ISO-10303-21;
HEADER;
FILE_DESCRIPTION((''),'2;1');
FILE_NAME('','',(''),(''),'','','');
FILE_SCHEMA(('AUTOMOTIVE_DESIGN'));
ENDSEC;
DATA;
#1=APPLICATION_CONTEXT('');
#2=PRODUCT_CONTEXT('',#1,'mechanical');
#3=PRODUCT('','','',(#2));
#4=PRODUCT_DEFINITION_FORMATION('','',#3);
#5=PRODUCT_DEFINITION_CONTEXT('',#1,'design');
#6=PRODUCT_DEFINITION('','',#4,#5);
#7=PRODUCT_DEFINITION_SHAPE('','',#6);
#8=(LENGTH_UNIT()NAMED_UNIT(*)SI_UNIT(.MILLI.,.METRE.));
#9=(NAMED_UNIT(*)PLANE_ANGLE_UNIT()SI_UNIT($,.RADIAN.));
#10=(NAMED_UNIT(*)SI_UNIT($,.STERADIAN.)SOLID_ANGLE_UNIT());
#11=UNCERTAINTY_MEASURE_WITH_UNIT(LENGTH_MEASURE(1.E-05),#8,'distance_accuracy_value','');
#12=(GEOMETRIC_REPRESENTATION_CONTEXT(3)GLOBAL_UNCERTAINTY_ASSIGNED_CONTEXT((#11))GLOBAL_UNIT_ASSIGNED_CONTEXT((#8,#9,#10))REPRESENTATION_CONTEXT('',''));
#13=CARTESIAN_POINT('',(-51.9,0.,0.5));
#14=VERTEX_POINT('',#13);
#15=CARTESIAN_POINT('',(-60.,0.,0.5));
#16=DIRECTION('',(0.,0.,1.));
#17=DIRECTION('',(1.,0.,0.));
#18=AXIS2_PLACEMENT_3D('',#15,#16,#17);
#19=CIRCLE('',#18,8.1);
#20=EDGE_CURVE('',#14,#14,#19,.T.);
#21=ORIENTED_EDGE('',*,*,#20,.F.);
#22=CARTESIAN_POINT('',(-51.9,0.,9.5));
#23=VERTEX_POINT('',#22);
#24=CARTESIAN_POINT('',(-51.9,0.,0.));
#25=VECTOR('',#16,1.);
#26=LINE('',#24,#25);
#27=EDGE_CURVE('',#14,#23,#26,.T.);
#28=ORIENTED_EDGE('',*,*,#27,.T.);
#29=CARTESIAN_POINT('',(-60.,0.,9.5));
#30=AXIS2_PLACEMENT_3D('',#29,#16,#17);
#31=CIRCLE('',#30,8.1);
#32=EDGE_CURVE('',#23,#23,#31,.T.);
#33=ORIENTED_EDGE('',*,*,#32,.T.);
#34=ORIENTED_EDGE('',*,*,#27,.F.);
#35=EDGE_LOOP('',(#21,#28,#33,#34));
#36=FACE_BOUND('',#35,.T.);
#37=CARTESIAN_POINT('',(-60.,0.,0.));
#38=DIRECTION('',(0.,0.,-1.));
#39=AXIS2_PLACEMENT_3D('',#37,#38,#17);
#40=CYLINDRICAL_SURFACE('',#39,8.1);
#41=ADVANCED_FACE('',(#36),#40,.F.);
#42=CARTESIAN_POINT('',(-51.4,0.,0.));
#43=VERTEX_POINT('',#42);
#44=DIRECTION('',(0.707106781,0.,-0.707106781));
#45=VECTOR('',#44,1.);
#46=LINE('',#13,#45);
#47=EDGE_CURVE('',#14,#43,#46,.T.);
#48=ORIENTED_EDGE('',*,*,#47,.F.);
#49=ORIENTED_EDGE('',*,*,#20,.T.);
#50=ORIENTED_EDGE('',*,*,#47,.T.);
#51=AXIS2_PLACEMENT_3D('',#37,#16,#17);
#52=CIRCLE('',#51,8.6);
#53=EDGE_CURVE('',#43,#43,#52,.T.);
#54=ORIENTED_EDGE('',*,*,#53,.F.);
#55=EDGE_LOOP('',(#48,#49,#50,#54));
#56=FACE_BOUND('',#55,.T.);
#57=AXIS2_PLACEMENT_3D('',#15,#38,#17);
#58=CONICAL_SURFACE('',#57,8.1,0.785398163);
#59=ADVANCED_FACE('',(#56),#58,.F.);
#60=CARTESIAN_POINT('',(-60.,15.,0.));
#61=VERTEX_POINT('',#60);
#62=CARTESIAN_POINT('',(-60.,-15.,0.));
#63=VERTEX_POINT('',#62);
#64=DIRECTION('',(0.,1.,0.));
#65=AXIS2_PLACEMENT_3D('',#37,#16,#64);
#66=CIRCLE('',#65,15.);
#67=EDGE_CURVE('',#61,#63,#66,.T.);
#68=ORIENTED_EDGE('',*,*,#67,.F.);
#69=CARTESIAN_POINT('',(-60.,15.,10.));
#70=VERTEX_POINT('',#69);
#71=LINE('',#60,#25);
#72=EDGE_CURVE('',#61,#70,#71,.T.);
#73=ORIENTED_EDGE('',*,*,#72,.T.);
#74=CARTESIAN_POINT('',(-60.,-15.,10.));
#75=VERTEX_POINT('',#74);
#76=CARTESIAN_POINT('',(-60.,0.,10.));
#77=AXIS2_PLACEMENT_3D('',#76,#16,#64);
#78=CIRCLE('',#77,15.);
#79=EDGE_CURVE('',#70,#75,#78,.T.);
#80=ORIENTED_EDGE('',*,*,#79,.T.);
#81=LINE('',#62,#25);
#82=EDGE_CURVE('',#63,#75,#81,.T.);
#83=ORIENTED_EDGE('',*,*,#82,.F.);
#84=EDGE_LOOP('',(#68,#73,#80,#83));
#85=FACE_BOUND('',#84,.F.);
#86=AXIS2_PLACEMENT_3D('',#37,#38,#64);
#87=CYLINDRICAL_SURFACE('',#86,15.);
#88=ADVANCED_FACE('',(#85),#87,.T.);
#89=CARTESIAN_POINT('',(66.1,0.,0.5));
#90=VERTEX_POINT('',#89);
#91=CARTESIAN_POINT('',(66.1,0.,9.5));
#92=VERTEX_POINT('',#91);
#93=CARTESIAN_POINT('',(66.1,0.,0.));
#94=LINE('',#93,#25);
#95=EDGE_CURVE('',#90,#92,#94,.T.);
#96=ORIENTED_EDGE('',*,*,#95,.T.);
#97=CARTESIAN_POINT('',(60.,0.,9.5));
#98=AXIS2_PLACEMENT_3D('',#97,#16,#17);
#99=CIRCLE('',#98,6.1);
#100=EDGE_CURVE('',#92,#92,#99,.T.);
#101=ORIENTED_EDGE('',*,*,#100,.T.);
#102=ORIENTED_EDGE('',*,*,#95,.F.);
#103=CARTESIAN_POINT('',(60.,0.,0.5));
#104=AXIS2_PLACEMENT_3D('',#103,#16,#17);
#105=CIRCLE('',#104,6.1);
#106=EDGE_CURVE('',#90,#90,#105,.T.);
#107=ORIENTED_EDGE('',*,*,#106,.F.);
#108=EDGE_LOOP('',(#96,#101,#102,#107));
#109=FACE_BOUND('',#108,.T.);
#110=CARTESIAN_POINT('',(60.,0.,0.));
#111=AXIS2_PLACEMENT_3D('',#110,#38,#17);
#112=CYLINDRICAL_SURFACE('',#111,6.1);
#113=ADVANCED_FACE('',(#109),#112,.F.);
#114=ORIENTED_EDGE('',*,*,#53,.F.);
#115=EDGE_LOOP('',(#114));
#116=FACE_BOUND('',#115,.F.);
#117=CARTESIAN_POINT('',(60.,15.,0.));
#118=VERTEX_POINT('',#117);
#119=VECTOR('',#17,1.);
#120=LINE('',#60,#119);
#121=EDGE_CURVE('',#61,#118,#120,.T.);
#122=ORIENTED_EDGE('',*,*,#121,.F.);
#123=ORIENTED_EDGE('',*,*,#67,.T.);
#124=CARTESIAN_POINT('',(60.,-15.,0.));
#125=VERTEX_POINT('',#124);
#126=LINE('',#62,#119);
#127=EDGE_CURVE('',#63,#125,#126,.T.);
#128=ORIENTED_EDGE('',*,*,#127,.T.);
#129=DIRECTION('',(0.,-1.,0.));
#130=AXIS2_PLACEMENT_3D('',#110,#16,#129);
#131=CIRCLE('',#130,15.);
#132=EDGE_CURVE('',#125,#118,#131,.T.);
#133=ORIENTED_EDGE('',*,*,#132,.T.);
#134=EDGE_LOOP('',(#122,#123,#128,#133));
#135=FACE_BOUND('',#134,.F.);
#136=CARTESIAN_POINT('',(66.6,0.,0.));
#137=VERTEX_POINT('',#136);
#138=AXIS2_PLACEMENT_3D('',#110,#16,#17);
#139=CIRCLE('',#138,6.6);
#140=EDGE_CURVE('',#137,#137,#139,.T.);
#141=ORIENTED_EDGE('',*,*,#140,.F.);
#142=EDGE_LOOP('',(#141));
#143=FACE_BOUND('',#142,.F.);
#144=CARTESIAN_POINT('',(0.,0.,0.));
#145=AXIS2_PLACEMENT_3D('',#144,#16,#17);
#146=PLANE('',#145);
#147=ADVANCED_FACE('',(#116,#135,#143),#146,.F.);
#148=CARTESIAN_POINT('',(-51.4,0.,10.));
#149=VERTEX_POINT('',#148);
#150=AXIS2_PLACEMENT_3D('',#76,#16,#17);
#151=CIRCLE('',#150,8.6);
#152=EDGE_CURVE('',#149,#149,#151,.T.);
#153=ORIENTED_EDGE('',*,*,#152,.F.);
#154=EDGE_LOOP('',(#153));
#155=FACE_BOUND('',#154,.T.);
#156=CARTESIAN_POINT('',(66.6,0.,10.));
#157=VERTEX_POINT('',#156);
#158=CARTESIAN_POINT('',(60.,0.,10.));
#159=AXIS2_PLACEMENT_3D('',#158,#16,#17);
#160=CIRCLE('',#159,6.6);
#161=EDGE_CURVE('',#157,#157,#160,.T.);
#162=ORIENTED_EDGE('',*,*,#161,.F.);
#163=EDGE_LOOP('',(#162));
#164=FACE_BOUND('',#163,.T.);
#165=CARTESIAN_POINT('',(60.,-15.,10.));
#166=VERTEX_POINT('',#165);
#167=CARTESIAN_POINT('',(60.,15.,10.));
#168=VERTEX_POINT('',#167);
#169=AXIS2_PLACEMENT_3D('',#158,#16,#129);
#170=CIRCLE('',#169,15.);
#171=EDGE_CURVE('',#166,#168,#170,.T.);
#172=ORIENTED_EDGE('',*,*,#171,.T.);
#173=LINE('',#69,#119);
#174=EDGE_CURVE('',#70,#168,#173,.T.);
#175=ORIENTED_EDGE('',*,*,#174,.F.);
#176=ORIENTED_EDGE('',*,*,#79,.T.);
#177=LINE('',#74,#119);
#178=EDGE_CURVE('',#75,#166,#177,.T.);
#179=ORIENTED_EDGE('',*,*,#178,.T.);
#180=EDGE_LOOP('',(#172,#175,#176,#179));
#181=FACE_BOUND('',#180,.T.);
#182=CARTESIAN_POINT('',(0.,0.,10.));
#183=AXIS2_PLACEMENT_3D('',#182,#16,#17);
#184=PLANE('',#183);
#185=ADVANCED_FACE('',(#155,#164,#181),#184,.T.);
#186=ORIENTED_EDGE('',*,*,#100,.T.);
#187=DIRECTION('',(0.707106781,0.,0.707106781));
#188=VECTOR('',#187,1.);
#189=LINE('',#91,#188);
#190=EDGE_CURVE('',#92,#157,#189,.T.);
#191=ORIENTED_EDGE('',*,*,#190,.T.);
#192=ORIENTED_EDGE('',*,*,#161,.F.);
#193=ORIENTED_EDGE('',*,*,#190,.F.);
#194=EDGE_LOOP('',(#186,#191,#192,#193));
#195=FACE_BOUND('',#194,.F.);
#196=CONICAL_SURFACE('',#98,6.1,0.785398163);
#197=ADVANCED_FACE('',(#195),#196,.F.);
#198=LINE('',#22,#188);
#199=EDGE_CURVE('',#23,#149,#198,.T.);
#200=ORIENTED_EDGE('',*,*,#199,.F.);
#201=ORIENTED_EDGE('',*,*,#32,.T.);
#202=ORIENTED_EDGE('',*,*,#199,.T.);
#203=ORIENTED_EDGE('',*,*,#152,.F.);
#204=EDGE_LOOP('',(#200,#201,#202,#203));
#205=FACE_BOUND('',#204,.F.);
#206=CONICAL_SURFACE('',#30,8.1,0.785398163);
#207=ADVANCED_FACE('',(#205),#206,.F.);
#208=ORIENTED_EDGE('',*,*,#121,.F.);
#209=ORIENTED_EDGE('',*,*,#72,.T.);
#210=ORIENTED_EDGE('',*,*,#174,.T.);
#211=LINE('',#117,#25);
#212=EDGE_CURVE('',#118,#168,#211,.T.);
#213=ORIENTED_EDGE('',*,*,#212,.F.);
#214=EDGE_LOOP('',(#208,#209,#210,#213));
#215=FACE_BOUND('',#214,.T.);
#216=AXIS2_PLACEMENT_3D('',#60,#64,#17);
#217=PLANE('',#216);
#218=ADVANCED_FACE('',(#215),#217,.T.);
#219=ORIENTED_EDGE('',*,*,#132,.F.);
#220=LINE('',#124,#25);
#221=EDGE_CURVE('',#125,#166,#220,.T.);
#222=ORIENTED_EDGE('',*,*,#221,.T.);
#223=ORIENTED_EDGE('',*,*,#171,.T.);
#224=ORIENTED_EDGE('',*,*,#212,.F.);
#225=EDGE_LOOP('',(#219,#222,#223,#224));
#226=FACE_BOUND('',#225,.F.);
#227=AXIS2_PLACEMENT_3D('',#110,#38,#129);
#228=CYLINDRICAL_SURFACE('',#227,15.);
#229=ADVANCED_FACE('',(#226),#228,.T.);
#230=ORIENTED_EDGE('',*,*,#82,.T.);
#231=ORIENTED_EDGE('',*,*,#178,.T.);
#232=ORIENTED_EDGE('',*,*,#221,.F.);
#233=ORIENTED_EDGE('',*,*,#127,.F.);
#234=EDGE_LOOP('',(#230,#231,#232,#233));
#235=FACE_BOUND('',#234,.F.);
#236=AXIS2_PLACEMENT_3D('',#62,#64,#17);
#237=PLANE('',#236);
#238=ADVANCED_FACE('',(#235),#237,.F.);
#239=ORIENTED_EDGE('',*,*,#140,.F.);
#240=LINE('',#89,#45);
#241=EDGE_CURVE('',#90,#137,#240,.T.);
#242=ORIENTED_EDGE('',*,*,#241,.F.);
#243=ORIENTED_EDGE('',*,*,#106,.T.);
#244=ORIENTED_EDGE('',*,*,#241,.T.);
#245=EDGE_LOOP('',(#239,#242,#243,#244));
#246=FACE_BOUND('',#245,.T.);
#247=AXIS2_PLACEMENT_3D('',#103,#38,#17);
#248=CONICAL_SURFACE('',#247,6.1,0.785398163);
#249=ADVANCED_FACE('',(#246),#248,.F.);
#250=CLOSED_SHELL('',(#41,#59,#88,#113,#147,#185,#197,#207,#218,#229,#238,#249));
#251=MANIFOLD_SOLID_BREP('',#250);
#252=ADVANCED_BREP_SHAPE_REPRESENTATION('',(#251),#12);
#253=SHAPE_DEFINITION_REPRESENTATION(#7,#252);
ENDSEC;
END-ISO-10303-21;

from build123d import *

# Parameters (mm, degrees)
SKETCH_R     = 6.1
SKETCH_R_2   = 8.1
PAD_DEPTH    = 10
CHAMFER_SIZE = 0.5


with BuildPart() as part:
    # Sketch → Pad (new body)
    with BuildSketch(Plane.XY):
        with BuildLine():
            ThreePointArc((-60, 15), (-75, 0), (-60, -15))
            Line((-60, -15), (60, -15))
            ThreePointArc((60, -15), (75, 0), (60, 15))
            Line((-60, 15), (60, 15))
        make_face()
        with Locations((60, 0)):
            Circle(SKETCH_R, mode=Mode.SUBTRACT)
        with Locations((-60, 0)):
            Circle(SKETCH_R_2, mode=Mode.SUBTRACT)
    extrude(amount=PAD_DEPTH)

    # Chamfer
    chamfer_edges = [part.edges().sort_by_distance(p)[0] for p in [
        (53.9, 0, 10),
        (-68.1, 0, 10),
        (53.9, 0, 0),
        (-68.1, 0, 0),
    ]]
    chamfer(chamfer_edges, length=CHAMFER_SIZE)


solid = part.part
